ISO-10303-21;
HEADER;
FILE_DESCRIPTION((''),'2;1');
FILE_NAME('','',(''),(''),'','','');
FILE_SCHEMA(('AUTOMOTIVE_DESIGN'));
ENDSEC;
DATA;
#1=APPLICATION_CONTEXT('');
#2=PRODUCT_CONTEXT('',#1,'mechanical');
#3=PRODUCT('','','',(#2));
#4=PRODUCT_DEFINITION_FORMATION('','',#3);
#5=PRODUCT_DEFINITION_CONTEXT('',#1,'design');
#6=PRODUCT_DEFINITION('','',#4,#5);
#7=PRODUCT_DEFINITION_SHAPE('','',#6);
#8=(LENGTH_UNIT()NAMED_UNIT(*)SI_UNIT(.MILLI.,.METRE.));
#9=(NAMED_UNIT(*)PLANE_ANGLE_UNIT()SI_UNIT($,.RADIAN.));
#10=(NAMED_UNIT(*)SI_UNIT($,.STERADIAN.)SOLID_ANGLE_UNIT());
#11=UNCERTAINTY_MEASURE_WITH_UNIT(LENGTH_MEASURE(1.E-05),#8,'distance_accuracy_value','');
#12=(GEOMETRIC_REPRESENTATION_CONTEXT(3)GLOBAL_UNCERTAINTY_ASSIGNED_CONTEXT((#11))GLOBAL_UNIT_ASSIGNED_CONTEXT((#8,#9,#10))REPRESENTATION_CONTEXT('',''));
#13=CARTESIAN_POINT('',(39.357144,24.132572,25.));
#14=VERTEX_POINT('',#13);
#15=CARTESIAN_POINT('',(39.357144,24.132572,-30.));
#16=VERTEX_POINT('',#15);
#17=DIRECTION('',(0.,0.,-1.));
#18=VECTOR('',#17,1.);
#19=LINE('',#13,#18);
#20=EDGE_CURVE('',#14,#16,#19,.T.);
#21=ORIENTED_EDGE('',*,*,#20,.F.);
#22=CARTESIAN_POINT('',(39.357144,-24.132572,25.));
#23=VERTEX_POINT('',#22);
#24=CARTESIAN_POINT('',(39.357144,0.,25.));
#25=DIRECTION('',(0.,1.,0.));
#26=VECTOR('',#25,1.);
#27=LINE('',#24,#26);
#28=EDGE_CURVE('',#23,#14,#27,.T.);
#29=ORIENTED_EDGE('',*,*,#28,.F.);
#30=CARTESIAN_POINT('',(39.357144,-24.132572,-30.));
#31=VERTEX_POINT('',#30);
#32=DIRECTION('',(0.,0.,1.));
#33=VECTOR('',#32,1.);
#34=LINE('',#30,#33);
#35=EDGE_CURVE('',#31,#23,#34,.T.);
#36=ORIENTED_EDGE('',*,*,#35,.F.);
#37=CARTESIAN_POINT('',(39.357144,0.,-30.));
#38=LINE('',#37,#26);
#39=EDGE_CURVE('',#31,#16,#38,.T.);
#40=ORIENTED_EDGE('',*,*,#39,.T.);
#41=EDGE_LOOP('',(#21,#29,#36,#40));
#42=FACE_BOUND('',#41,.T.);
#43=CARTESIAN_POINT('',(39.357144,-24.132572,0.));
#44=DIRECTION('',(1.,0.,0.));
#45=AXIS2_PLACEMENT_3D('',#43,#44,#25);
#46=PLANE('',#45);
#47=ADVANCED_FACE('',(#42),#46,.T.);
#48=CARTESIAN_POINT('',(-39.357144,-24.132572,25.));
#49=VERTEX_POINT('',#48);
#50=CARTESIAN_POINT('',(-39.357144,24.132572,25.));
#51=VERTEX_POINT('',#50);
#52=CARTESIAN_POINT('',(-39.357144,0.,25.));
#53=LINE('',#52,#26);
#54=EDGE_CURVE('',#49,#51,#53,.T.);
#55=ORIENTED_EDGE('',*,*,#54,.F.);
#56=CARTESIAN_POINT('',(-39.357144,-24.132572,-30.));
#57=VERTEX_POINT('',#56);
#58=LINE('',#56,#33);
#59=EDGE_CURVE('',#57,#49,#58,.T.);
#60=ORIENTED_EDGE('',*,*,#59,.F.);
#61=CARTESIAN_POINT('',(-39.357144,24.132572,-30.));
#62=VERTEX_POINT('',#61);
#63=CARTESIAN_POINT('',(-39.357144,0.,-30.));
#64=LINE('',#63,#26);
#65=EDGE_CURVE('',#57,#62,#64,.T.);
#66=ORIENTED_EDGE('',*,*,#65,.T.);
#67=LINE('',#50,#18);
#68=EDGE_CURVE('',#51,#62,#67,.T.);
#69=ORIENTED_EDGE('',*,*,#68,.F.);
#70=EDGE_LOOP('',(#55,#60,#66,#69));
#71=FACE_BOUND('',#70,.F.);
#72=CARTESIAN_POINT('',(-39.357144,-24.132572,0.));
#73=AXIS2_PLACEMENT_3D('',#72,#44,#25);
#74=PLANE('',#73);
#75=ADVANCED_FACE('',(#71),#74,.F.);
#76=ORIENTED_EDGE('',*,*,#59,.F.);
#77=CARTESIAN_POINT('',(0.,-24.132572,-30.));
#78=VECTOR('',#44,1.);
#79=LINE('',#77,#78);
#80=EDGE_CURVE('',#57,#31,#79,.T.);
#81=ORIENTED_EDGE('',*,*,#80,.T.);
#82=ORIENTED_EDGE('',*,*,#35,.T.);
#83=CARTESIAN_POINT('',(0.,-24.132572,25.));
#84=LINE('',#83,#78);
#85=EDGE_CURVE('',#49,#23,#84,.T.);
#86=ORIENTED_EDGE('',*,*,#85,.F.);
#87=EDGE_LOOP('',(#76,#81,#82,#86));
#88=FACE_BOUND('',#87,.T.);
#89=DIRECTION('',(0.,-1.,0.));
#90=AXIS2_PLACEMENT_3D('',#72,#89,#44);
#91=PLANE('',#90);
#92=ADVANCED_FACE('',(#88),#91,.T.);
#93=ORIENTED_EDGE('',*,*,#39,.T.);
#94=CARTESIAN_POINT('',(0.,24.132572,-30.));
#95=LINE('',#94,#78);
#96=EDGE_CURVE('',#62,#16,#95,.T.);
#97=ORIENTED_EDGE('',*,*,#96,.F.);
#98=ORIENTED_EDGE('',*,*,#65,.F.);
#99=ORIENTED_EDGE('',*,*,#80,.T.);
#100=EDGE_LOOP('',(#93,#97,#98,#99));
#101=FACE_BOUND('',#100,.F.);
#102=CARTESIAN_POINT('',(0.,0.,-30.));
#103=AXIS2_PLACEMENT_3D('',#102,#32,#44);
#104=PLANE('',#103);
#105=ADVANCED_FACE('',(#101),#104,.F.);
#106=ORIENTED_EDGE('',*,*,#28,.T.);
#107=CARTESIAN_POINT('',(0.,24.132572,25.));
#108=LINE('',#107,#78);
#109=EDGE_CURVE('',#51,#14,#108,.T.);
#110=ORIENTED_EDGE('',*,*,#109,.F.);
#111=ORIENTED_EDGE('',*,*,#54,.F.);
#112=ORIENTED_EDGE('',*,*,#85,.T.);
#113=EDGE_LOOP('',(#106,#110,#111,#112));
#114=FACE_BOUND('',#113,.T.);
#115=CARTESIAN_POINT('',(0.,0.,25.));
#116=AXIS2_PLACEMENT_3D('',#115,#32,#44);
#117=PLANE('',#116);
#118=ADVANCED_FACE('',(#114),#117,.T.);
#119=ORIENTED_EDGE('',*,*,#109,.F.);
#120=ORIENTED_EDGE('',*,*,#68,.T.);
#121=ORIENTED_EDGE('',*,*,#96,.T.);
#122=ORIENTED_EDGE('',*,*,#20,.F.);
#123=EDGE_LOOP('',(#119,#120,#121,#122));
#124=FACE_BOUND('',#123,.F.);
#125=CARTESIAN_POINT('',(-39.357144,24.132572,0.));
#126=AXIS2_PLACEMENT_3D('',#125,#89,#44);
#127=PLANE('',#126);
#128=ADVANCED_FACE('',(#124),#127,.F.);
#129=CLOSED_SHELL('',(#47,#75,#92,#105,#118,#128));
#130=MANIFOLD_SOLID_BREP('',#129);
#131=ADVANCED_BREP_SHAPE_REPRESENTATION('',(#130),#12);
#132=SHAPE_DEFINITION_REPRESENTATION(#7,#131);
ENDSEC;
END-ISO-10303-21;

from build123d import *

# Parameters (mm, degrees)
F0_W     = 78.714288
F0_H     = 48.265144
F1_DEPTH = 25
F2_DEPTH = 25
F3_DEPTH = 30


with BuildPart() as f1:
    # F0 (on Top) → F1 (new body)
    with BuildSketch(Plane.XY):
        Rectangle(F0_W, F0_H)
    extrude(amount=F1_DEPTH)

    # F0 (on Top) → F2 (join)
    with BuildSketch(Plane.XY):
        Rectangle(F0_W, F0_H)
    extrude(amount=F2_DEPTH)

    # F0 (on Top) → F3 (join)
    with BuildSketch(Plane.XY):
        Rectangle(F0_W, F0_H)
    extrude(amount=-F3_DEPTH)


solid = f1.part
